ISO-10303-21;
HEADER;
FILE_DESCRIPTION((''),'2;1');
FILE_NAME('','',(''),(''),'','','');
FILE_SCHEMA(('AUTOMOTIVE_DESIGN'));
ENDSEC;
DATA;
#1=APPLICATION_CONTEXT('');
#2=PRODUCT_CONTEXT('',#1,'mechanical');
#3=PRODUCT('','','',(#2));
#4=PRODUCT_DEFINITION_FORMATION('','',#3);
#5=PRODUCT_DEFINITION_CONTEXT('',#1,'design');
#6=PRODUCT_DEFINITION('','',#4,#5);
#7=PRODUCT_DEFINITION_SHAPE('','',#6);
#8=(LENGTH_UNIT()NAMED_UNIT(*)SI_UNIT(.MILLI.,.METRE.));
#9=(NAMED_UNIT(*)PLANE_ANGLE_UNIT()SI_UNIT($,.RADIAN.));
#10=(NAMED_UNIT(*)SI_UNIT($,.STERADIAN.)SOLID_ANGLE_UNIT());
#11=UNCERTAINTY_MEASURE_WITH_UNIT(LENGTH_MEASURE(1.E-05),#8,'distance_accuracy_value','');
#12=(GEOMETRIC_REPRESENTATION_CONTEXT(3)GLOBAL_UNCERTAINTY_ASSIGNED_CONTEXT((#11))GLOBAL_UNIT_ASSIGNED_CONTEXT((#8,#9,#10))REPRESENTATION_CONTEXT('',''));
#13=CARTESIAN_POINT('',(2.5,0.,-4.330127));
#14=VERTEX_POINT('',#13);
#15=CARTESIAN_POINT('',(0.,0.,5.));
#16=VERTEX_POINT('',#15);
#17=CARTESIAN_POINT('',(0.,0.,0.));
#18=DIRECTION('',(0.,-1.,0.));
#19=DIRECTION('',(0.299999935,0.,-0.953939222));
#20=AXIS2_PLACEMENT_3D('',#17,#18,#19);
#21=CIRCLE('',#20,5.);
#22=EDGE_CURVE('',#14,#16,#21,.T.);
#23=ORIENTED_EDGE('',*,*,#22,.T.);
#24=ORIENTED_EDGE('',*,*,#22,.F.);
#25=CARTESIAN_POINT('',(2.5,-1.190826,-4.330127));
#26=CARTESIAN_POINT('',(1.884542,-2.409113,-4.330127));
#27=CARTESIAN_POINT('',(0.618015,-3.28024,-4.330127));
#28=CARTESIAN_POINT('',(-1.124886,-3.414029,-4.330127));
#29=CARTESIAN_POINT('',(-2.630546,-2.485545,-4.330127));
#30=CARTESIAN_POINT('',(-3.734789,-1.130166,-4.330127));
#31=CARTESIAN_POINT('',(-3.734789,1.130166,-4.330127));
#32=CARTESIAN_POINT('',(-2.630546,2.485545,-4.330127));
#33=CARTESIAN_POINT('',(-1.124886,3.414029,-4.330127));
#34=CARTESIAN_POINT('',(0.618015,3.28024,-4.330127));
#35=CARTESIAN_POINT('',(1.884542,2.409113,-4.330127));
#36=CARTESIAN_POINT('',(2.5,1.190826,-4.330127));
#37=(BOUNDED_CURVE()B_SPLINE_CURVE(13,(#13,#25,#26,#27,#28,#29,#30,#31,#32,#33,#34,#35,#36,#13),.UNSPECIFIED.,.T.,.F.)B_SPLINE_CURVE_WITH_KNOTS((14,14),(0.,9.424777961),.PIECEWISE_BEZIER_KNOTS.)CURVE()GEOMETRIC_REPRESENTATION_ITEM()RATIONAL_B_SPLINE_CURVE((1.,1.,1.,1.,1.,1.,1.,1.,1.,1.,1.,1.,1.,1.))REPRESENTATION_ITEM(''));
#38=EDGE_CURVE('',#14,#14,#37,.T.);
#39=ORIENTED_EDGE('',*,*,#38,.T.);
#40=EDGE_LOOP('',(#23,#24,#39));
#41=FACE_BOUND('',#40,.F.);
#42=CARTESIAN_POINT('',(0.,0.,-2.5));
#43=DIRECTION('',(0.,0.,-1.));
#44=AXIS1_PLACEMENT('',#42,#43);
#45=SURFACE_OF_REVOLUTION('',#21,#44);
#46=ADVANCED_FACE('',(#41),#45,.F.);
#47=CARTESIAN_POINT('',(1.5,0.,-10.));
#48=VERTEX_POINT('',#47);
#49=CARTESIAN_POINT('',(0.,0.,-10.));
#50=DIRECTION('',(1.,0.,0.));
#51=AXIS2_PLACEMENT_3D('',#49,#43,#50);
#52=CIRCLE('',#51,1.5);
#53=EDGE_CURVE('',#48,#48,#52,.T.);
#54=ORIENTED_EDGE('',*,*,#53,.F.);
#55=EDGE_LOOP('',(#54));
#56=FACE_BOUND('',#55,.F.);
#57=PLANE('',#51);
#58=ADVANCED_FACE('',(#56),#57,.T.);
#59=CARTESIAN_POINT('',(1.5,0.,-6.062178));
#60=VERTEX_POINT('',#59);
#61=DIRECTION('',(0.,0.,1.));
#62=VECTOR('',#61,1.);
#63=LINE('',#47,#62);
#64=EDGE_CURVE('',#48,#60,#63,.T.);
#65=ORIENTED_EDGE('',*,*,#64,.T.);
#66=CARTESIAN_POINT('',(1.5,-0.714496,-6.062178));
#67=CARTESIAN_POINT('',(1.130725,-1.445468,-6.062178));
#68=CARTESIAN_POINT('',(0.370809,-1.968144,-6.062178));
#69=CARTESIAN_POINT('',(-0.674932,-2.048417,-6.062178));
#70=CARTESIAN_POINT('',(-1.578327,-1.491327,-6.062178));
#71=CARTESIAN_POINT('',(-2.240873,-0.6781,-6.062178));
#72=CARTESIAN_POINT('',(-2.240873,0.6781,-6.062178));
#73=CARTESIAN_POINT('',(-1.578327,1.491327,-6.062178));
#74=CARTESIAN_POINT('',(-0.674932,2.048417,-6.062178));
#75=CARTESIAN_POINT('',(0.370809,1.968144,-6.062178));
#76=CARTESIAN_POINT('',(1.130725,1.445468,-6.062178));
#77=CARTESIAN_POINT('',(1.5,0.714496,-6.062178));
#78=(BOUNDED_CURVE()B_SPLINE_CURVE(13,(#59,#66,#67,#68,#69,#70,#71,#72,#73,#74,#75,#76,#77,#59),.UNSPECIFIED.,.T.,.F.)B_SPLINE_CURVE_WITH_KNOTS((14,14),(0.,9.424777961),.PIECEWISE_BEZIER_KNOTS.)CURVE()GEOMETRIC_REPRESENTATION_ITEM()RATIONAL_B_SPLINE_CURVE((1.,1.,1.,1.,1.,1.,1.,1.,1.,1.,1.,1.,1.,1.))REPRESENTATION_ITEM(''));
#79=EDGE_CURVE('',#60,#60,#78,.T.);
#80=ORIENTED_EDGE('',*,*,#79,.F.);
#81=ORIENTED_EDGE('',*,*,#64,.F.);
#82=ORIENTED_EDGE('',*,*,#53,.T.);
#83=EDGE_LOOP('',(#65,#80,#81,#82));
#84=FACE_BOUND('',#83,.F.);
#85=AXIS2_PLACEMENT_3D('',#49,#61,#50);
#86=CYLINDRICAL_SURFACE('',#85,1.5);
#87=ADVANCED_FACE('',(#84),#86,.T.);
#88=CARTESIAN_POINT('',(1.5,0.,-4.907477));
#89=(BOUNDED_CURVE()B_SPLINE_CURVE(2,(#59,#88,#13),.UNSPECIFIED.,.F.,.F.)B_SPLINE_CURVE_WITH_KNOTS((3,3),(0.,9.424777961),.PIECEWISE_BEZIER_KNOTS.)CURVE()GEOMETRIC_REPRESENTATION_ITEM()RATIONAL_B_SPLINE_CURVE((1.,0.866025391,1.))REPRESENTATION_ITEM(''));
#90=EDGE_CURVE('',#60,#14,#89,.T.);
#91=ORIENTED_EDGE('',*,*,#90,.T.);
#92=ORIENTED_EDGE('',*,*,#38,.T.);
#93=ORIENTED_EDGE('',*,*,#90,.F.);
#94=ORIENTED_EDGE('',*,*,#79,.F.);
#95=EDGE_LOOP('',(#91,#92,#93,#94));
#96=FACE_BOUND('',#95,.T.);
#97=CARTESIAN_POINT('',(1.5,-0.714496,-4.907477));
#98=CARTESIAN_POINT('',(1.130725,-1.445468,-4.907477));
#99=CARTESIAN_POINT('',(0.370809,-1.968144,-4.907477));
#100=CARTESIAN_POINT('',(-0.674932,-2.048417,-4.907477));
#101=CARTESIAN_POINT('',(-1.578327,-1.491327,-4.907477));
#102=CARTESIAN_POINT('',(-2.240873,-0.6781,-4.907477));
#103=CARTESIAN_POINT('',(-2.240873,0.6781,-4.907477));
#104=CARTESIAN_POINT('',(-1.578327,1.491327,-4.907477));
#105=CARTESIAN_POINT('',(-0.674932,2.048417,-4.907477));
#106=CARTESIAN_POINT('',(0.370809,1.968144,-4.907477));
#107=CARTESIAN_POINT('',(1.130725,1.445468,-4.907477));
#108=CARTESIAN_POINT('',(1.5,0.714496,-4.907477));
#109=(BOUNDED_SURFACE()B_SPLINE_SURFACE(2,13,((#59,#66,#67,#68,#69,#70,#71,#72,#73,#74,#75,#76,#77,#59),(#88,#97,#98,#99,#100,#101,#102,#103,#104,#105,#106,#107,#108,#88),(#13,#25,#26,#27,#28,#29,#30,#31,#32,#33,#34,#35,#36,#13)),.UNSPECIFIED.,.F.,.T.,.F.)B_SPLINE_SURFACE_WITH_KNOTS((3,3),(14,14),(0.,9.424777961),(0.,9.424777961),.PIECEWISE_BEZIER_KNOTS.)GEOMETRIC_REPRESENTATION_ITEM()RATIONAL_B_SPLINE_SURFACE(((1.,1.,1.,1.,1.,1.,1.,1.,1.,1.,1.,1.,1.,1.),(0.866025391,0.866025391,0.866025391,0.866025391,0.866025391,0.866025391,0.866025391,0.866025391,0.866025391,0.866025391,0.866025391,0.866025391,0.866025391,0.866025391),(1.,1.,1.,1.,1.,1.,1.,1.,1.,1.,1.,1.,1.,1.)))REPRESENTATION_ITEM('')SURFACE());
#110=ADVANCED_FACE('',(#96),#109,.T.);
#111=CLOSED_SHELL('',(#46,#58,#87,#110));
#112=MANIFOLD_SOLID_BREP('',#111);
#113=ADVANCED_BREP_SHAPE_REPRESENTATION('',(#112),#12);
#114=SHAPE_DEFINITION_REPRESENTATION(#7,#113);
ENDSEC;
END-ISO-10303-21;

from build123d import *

# Parameters (mm, degrees)
F2_R = 2


with BuildPart() as f1:
    # F0 (on Front) → F1 (revolve)
    with BuildSketch(Plane.XZ):
        with BuildLine():
            Line((1.5, -10), (1.5, -4.769696))
            ThreePointArc((1.5, -4.769696), (4.942089, 0.758788), (0, 5))
            Line((0, 5), (0, -10))
            Line((0, -10), (1.5, -10))
        make_face()
    revolve(axis=Axis((0, 0, -2.5), (0, 0, -1)))

    # F2
    f2_edges = [f1.edges().sort_by_distance(p)[0] for p in [
        (-1.5, 0, -4.769696),
    ]]
    fillet(f2_edges, radius=F2_R)


solid = f1.part
